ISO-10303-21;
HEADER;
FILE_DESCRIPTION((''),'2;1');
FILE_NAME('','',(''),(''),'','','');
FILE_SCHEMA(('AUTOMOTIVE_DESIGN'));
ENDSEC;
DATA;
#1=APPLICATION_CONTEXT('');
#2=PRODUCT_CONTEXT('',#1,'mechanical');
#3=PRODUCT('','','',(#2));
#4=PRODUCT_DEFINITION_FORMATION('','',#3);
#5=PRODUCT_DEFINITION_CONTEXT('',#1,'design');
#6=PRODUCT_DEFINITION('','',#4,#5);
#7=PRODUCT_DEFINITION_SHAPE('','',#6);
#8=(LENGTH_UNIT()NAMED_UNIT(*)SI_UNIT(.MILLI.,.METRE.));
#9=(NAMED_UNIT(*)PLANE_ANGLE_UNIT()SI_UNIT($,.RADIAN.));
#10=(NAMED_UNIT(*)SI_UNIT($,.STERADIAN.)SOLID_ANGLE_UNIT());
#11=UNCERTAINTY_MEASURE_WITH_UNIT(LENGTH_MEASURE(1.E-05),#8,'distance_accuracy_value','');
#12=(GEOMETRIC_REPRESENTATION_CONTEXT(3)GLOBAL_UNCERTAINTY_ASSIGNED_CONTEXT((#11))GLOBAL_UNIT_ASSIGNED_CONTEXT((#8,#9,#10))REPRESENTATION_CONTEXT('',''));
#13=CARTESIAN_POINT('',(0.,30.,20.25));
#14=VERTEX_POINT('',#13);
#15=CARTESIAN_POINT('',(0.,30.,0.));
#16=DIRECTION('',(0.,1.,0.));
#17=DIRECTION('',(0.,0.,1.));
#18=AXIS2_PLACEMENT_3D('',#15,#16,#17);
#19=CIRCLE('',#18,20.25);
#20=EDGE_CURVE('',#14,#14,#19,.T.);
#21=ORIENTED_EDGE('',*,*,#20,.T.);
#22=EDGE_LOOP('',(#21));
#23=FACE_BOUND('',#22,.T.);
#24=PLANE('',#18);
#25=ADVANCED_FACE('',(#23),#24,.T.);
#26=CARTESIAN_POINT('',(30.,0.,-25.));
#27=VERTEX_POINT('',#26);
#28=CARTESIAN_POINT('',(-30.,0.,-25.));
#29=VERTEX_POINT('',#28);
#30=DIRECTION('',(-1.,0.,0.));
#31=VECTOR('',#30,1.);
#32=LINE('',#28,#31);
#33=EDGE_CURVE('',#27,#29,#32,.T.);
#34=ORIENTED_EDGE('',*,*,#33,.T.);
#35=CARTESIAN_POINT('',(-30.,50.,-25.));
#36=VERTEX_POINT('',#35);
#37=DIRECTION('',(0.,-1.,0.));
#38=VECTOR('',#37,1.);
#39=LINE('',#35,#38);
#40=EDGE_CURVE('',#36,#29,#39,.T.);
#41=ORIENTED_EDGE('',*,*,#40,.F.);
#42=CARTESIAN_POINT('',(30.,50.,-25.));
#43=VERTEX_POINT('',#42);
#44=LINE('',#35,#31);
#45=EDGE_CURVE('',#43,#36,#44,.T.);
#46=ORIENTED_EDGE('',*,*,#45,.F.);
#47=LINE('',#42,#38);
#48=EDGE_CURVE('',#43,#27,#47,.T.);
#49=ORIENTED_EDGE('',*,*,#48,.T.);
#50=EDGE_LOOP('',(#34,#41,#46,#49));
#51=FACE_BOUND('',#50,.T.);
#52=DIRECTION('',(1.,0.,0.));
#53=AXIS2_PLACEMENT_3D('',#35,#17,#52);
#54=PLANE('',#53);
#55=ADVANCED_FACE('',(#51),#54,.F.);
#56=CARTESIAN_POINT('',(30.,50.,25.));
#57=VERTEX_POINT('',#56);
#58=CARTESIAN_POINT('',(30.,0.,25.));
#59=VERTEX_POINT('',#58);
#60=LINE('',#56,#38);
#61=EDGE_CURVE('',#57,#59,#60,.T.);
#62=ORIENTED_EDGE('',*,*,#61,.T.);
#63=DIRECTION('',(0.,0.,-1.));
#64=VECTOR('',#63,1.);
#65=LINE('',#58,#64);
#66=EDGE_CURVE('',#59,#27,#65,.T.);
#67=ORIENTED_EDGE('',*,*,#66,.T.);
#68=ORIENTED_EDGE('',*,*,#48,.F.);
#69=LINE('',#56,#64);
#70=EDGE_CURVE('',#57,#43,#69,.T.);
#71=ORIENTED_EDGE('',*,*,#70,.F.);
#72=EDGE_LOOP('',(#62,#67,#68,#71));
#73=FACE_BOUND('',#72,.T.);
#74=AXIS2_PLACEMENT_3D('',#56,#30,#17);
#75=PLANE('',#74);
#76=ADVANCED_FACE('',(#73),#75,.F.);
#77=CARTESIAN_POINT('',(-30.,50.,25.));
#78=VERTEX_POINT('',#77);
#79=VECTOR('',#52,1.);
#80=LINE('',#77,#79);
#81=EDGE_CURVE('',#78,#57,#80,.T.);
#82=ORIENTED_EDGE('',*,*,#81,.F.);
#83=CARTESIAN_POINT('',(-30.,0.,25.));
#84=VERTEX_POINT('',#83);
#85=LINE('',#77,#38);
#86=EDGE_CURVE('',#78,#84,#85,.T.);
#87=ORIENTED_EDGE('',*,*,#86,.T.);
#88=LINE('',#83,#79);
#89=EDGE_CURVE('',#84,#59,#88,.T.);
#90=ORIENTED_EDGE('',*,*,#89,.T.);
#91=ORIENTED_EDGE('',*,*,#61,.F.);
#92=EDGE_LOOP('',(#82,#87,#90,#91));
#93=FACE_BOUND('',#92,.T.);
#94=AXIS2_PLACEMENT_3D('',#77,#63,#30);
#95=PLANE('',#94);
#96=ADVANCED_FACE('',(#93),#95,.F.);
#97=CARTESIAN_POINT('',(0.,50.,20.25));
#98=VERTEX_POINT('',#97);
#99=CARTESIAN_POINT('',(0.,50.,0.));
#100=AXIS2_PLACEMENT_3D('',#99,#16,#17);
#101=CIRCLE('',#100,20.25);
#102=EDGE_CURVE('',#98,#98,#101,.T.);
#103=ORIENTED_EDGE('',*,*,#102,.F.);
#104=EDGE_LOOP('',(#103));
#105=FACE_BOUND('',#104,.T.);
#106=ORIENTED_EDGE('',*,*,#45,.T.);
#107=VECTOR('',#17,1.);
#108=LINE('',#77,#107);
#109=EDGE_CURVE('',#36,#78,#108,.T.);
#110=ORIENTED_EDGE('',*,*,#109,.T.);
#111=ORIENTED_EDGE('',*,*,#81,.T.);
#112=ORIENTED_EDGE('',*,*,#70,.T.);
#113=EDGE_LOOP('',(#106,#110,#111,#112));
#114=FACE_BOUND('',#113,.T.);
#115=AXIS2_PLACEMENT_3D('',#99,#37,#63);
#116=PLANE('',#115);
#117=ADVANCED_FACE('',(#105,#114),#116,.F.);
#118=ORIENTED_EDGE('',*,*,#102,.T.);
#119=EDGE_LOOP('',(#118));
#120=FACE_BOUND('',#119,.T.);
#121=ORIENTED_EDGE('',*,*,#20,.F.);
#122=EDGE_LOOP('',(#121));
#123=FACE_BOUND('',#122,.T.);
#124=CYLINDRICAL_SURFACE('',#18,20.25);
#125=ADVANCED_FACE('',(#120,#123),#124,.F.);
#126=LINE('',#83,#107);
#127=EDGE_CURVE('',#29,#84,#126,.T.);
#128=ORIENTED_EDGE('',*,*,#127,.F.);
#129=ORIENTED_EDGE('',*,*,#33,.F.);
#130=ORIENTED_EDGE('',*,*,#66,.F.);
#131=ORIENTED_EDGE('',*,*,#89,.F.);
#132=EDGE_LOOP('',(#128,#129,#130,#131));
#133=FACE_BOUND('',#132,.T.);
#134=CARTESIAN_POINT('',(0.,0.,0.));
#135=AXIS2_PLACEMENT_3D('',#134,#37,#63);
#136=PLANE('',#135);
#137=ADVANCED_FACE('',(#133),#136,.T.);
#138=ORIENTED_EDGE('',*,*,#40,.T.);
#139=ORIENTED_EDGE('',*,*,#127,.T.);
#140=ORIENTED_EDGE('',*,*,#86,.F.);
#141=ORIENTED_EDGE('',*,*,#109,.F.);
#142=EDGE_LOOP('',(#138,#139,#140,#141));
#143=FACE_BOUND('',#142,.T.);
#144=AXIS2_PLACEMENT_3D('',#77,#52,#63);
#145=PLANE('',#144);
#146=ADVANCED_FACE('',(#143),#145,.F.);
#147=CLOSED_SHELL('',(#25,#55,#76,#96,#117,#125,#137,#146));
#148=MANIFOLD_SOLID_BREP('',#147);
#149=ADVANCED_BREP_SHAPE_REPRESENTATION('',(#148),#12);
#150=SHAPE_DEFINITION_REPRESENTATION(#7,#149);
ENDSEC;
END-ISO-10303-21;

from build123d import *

# Parameters (mm, degrees)
SKETCH1_W           = 60
SKETCH1_H           = 50
BOSS_EXTRUDE2_DEPTH = 50
SKETCH4_R           = 20.25
CUT_EXTRUDE1_DEPTH  = 20


with BuildPart() as part:
    # Sketch1 → Boss-Extrude2 (new body)
    with BuildSketch(Plane(origin=(0, 0, 0), x_dir=(1, 0, 0), z_dir=(0, 1, 0))):
        Rectangle(SKETCH1_W, SKETCH1_H)
    extrude(amount=BOSS_EXTRUDE2_DEPTH)

    # Sketch4 → Cut-Extrude1 (cut)
    with BuildSketch(Plane(origin=(0, 50, 0), x_dir=(1, 0, 0), z_dir=(0, 1, 0))):
        with Locations(Location((0, 0, 0), (0, 0, 270))):
            Circle(SKETCH4_R)
    extrude(amount=-CUT_EXTRUDE1_DEPTH, mode=Mode.SUBTRACT)


solid = part.part
